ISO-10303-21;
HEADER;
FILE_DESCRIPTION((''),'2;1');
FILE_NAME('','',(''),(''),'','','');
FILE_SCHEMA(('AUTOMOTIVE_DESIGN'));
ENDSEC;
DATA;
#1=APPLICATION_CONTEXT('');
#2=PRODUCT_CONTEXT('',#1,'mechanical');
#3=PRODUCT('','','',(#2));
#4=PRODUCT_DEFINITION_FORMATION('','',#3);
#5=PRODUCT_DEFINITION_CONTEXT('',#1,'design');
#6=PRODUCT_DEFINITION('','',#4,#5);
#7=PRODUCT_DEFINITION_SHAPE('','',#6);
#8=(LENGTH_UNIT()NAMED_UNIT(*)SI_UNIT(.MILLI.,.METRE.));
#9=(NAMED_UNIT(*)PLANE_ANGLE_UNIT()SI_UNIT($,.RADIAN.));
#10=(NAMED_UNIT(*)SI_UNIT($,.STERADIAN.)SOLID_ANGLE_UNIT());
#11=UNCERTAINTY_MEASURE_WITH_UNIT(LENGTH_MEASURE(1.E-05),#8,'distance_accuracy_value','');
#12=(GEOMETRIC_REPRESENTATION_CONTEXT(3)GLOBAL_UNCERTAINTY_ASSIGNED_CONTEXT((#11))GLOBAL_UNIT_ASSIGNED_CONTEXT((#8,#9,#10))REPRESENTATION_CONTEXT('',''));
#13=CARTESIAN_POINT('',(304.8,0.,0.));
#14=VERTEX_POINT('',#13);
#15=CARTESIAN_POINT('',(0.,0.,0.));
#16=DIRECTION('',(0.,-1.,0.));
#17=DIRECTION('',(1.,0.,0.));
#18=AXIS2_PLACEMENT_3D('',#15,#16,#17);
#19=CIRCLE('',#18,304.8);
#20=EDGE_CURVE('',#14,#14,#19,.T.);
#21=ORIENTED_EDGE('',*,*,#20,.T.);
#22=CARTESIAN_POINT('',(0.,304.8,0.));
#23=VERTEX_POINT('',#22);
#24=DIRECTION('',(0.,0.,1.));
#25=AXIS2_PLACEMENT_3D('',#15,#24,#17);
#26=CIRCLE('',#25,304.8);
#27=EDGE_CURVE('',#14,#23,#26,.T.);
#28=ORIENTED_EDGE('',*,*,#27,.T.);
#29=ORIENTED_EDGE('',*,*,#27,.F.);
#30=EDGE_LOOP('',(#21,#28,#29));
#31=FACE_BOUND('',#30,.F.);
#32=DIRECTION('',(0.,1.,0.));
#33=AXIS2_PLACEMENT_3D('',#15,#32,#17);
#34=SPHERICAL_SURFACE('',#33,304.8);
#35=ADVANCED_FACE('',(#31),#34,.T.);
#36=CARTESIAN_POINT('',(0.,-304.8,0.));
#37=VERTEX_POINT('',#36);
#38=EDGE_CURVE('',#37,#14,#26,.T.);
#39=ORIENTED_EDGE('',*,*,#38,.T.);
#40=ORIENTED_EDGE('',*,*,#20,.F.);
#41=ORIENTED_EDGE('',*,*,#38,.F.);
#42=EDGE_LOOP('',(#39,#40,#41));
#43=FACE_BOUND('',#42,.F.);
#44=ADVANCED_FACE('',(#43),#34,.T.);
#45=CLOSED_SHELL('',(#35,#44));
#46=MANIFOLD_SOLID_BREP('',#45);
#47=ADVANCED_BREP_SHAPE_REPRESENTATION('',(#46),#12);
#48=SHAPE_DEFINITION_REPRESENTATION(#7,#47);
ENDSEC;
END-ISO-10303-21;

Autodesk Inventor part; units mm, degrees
ref_plane "YZ Plane" through (0, 0, 0) normal (1, 0, 0) x (0, 1, 0)
ref_plane "XZ Plane" through (0, 0, 0) normal (0, 1, 0) x (-1, 0, 0)
ref_plane "XY Plane" through (0, 0, 0) normal (0, 0, 1) x (1, 0, 0)
sketch "Sketch1" plane through (0, 0, 0) normal (0, 0, 1) x (1, 0, 0)
  circle A0 centre (0, 0) radius 304.8
  line L0 (0, 304.8) -> (0, -304.8)
  dimension "d0" = 609.6
  dimension "d1" = 609.6
revolve "Revolution1" add sketch "Sketch1" angle 360 about axis through (0, 304.8, 0) along (0, -1, 0) picked at (46.1254, 90.5263) contours A0 L0
properties part number "Blue Ball"
